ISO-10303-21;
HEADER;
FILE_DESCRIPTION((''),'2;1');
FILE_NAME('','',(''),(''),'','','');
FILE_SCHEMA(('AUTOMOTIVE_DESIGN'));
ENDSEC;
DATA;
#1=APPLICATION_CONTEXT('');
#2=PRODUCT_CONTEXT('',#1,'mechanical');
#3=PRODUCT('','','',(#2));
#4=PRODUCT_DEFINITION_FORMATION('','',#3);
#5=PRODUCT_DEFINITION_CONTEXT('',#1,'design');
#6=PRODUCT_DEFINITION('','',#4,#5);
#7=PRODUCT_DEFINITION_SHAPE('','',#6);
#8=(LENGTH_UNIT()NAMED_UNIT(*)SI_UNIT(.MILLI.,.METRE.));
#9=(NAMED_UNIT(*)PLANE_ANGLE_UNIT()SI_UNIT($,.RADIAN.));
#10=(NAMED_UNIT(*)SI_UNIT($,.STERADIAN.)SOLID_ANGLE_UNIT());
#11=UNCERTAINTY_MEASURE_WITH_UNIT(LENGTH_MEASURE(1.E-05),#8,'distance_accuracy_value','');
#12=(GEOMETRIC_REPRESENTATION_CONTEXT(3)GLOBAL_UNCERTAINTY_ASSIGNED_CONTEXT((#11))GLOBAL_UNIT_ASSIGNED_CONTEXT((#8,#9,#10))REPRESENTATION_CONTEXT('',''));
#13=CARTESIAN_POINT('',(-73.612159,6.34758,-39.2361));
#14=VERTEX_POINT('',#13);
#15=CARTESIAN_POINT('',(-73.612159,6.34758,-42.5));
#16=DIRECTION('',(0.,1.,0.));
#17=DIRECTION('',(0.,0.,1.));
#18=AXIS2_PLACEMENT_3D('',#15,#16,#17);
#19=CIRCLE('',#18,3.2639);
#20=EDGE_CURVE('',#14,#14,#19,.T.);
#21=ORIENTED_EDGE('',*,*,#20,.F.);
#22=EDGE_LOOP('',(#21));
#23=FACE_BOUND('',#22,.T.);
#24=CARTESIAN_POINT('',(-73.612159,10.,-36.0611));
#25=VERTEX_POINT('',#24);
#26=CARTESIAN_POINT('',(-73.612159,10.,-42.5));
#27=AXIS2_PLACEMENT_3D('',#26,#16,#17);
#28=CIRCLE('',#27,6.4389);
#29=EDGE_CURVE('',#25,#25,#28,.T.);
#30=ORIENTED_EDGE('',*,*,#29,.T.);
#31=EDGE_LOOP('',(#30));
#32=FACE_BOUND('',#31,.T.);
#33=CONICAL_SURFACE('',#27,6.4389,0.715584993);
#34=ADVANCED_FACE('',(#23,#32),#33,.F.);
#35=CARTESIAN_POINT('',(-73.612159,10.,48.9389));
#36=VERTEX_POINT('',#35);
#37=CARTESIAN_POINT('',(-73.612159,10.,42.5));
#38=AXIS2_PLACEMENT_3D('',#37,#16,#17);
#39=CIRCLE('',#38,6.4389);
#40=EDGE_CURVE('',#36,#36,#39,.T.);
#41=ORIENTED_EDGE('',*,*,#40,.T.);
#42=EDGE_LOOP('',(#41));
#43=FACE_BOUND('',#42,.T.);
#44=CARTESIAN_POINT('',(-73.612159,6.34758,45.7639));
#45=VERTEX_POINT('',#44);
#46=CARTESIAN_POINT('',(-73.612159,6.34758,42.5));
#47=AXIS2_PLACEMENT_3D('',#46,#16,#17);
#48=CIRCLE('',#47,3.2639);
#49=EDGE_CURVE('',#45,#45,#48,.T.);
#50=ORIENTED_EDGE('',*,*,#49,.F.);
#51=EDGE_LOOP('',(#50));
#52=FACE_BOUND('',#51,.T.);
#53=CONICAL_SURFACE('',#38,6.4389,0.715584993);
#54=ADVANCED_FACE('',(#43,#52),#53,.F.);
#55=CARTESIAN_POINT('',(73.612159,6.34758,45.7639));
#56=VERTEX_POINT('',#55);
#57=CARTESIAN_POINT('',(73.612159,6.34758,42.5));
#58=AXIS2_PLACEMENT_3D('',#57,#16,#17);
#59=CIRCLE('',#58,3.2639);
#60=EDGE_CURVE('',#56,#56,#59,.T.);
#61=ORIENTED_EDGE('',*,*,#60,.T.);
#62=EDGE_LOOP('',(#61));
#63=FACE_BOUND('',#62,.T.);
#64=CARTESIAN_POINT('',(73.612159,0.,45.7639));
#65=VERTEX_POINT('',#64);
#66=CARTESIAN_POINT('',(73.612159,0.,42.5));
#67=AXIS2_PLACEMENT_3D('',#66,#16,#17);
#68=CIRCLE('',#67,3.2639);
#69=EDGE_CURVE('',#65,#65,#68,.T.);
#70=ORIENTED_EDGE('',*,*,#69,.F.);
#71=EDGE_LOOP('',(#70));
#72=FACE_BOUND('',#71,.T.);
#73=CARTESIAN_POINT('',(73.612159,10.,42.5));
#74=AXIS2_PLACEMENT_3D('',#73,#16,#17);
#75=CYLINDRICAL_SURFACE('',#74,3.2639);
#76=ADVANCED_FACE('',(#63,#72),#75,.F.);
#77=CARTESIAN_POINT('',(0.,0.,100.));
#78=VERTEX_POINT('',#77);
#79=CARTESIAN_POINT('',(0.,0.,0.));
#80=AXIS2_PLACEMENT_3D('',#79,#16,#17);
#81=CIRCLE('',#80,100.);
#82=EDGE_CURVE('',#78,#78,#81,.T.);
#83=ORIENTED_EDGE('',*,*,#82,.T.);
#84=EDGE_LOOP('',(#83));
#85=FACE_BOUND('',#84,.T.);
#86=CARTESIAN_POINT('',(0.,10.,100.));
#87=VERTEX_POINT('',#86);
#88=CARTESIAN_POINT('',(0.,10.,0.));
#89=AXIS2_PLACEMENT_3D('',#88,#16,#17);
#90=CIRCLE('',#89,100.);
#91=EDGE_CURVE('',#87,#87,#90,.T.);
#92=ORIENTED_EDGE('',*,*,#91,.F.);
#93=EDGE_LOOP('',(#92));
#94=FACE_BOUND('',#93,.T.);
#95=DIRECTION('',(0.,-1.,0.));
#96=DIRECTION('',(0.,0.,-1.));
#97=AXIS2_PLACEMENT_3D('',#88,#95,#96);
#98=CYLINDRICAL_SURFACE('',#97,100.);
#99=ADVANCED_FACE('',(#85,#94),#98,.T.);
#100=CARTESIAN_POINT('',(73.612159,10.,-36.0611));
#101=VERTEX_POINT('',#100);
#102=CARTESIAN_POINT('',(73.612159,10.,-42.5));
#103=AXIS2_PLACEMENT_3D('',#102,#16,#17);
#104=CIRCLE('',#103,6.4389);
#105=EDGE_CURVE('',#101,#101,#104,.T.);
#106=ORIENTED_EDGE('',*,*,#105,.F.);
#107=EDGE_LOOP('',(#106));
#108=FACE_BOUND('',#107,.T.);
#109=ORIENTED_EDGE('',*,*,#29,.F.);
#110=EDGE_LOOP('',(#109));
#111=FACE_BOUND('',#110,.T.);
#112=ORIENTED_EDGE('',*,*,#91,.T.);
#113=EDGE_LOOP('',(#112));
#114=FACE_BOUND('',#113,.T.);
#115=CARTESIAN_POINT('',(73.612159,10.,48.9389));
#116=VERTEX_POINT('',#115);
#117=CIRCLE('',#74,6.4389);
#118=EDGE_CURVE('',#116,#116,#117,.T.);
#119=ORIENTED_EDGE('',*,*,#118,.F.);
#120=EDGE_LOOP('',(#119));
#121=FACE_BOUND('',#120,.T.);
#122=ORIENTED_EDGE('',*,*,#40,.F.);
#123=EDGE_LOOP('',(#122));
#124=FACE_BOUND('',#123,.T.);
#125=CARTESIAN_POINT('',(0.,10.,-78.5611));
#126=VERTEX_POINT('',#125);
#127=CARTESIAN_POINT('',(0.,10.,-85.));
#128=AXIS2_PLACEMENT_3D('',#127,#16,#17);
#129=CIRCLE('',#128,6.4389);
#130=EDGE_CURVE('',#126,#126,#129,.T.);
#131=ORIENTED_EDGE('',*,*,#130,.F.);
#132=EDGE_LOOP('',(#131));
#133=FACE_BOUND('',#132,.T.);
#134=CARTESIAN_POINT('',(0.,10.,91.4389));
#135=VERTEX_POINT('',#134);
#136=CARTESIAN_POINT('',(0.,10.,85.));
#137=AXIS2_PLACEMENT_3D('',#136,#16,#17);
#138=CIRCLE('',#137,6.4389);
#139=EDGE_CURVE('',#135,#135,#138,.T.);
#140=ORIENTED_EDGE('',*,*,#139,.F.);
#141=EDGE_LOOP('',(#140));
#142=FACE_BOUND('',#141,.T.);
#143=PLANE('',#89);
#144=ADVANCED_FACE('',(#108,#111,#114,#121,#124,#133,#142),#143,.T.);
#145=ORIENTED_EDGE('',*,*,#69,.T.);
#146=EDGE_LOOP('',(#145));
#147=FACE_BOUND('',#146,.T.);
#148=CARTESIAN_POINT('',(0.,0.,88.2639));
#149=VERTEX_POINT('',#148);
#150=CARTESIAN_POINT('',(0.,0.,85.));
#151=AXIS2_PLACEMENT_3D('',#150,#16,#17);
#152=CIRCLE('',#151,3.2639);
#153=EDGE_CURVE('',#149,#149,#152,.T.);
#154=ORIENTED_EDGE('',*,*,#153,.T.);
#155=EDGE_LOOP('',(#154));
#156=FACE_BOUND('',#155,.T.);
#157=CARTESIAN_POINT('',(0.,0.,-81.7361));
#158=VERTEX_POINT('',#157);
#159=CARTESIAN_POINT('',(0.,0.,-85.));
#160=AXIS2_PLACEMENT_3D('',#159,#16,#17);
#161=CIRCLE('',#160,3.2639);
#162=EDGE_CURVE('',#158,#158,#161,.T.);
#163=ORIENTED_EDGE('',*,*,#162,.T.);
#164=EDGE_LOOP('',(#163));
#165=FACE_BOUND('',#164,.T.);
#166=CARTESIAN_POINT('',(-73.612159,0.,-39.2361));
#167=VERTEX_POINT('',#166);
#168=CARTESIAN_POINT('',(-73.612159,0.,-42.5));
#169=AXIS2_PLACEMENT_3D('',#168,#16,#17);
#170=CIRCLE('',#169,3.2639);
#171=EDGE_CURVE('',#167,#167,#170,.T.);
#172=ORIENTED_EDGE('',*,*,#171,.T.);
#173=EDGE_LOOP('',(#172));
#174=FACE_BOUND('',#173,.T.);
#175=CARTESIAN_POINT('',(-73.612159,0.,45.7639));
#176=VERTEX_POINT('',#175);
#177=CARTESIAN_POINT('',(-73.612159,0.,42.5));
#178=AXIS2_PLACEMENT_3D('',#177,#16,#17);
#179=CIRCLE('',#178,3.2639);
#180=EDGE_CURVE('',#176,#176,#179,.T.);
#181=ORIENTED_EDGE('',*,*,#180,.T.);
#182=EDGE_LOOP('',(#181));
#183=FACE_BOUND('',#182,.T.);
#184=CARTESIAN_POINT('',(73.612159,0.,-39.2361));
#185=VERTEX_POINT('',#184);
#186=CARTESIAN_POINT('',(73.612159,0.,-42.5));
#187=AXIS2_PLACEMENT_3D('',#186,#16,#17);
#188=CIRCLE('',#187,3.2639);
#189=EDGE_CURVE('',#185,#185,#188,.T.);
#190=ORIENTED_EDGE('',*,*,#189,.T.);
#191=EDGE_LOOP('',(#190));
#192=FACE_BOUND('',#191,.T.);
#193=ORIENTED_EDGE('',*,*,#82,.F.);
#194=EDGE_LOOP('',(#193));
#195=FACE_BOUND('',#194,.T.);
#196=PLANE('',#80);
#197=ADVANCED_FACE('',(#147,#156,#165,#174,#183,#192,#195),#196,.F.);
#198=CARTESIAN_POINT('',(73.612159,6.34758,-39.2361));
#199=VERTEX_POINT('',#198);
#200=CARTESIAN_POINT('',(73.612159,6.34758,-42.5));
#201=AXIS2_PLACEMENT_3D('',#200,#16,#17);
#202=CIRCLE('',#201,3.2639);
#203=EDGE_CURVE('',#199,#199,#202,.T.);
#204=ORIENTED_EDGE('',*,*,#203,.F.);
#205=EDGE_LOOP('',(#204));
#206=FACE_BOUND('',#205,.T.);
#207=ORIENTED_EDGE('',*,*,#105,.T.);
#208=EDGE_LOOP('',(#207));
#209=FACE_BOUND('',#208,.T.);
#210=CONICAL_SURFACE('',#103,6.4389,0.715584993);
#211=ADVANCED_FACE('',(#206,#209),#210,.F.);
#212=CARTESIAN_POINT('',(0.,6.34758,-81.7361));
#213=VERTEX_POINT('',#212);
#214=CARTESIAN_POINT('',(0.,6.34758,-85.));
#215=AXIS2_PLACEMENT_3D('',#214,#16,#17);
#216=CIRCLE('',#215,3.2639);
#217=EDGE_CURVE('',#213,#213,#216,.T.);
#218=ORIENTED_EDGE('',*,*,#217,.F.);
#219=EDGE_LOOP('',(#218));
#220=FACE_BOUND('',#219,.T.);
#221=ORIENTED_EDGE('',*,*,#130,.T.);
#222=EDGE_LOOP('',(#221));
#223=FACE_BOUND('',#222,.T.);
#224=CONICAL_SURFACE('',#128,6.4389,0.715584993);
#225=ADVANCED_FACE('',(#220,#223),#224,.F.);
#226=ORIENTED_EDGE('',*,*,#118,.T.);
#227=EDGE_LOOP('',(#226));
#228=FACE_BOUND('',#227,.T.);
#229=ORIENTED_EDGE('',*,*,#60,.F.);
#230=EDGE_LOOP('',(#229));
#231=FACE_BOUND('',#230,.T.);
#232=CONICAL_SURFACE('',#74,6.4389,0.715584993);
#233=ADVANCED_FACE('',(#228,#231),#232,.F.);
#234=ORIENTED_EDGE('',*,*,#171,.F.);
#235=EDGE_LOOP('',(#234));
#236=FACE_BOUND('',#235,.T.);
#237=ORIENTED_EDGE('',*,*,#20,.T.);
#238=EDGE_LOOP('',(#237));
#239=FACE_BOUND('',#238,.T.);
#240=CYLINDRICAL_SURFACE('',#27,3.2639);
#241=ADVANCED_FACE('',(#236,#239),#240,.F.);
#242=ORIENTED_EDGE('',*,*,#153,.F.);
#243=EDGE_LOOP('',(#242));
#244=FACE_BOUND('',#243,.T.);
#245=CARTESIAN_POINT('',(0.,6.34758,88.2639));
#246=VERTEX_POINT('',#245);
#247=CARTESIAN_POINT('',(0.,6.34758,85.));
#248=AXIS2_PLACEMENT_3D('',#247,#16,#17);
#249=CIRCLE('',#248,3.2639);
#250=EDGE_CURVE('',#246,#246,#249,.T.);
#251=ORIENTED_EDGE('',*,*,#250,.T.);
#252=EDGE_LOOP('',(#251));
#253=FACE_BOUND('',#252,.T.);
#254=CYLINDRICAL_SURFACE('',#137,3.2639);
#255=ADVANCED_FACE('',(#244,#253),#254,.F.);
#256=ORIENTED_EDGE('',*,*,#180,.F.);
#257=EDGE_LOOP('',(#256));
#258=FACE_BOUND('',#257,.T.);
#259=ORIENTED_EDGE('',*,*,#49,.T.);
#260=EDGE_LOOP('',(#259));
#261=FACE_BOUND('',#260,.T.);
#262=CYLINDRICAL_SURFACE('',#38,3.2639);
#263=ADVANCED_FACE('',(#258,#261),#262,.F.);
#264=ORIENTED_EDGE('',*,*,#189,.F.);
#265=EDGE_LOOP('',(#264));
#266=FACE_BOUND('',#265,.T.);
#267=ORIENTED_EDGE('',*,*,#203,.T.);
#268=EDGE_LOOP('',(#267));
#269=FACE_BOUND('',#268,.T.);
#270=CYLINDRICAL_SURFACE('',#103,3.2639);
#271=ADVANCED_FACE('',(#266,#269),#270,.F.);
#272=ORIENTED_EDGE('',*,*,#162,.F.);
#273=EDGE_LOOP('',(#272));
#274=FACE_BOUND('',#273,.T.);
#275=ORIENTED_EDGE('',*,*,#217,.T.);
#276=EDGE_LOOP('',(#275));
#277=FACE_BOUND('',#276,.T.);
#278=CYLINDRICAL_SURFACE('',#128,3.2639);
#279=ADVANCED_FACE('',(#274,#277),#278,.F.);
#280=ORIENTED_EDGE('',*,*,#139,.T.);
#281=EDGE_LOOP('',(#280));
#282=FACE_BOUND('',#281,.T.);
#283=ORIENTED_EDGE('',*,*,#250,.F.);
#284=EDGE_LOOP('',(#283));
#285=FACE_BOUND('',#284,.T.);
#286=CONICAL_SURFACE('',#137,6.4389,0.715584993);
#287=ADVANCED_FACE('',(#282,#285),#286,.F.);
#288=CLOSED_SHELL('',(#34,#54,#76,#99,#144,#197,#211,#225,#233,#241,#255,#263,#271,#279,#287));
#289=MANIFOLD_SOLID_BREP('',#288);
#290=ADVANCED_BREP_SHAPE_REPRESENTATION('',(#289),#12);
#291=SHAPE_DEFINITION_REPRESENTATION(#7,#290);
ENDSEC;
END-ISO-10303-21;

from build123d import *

# Parameters (mm, degrees)
SKETCH1_R                                        = 100
BOSS_EXTRUDE1_DEPTH                              = 10
CSK_FOR_1_4_FLAT_HEAD_MACHINE_SCREW1_D           = 6.5278
CSK_FOR_1_4_FLAT_HEAD_MACHINE_SCREW1_DEPTH       = 10
CSK_FOR_1_4_FLAT_HEAD_MACHINE_SCREW1_CSINK_D     = 12.8778
CSK_FOR_1_4_FLAT_HEAD_MACHINE_SCREW1_CSINK_ANGLE = 82
CSK_FOR_1_4_FLAT_HEAD_MACHINE_SCREW1_TIP         = 1.961148974


with BuildPart() as part:
    # Sketch1 → Boss-Extrude1 (new body)
    with BuildSketch(Plane(origin=(0, 0, 0), x_dir=(1, 0, 0), z_dir=(0, 1, 0))):
        with Locations(Location((0, 0, 0), (0, 0, 270))):
            Circle(SKETCH1_R)
    extrude(amount=BOSS_EXTRUDE1_DEPTH)

    # CSK for 1/4 Flat Head Machine Screw1
    with Locations(Plane(origin=(0, 10, 0), x_dir=(1, 0, 0), z_dir=(0, 1, 0))):
        with Locations((-73.612159322, 42.5), (0, 85), (73.612159322, 42.5), (73.612159322, -42.5), (0, -85), (-73.612159322, -42.5)):
            CounterSinkHole(CSK_FOR_1_4_FLAT_HEAD_MACHINE_SCREW1_D / 2, CSK_FOR_1_4_FLAT_HEAD_MACHINE_SCREW1_CSINK_D / 2, depth=CSK_FOR_1_4_FLAT_HEAD_MACHINE_SCREW1_DEPTH, counter_sink_angle=CSK_FOR_1_4_FLAT_HEAD_MACHINE_SCREW1_CSINK_ANGLE)
            with Locations((0, 0, -(CSK_FOR_1_4_FLAT_HEAD_MACHINE_SCREW1_DEPTH + CSK_FOR_1_4_FLAT_HEAD_MACHINE_SCREW1_TIP / 2))):  # 118° drill point
                Cone(0, CSK_FOR_1_4_FLAT_HEAD_MACHINE_SCREW1_D / 2, CSK_FOR_1_4_FLAT_HEAD_MACHINE_SCREW1_TIP, mode=Mode.SUBTRACT)


solid = part.part
